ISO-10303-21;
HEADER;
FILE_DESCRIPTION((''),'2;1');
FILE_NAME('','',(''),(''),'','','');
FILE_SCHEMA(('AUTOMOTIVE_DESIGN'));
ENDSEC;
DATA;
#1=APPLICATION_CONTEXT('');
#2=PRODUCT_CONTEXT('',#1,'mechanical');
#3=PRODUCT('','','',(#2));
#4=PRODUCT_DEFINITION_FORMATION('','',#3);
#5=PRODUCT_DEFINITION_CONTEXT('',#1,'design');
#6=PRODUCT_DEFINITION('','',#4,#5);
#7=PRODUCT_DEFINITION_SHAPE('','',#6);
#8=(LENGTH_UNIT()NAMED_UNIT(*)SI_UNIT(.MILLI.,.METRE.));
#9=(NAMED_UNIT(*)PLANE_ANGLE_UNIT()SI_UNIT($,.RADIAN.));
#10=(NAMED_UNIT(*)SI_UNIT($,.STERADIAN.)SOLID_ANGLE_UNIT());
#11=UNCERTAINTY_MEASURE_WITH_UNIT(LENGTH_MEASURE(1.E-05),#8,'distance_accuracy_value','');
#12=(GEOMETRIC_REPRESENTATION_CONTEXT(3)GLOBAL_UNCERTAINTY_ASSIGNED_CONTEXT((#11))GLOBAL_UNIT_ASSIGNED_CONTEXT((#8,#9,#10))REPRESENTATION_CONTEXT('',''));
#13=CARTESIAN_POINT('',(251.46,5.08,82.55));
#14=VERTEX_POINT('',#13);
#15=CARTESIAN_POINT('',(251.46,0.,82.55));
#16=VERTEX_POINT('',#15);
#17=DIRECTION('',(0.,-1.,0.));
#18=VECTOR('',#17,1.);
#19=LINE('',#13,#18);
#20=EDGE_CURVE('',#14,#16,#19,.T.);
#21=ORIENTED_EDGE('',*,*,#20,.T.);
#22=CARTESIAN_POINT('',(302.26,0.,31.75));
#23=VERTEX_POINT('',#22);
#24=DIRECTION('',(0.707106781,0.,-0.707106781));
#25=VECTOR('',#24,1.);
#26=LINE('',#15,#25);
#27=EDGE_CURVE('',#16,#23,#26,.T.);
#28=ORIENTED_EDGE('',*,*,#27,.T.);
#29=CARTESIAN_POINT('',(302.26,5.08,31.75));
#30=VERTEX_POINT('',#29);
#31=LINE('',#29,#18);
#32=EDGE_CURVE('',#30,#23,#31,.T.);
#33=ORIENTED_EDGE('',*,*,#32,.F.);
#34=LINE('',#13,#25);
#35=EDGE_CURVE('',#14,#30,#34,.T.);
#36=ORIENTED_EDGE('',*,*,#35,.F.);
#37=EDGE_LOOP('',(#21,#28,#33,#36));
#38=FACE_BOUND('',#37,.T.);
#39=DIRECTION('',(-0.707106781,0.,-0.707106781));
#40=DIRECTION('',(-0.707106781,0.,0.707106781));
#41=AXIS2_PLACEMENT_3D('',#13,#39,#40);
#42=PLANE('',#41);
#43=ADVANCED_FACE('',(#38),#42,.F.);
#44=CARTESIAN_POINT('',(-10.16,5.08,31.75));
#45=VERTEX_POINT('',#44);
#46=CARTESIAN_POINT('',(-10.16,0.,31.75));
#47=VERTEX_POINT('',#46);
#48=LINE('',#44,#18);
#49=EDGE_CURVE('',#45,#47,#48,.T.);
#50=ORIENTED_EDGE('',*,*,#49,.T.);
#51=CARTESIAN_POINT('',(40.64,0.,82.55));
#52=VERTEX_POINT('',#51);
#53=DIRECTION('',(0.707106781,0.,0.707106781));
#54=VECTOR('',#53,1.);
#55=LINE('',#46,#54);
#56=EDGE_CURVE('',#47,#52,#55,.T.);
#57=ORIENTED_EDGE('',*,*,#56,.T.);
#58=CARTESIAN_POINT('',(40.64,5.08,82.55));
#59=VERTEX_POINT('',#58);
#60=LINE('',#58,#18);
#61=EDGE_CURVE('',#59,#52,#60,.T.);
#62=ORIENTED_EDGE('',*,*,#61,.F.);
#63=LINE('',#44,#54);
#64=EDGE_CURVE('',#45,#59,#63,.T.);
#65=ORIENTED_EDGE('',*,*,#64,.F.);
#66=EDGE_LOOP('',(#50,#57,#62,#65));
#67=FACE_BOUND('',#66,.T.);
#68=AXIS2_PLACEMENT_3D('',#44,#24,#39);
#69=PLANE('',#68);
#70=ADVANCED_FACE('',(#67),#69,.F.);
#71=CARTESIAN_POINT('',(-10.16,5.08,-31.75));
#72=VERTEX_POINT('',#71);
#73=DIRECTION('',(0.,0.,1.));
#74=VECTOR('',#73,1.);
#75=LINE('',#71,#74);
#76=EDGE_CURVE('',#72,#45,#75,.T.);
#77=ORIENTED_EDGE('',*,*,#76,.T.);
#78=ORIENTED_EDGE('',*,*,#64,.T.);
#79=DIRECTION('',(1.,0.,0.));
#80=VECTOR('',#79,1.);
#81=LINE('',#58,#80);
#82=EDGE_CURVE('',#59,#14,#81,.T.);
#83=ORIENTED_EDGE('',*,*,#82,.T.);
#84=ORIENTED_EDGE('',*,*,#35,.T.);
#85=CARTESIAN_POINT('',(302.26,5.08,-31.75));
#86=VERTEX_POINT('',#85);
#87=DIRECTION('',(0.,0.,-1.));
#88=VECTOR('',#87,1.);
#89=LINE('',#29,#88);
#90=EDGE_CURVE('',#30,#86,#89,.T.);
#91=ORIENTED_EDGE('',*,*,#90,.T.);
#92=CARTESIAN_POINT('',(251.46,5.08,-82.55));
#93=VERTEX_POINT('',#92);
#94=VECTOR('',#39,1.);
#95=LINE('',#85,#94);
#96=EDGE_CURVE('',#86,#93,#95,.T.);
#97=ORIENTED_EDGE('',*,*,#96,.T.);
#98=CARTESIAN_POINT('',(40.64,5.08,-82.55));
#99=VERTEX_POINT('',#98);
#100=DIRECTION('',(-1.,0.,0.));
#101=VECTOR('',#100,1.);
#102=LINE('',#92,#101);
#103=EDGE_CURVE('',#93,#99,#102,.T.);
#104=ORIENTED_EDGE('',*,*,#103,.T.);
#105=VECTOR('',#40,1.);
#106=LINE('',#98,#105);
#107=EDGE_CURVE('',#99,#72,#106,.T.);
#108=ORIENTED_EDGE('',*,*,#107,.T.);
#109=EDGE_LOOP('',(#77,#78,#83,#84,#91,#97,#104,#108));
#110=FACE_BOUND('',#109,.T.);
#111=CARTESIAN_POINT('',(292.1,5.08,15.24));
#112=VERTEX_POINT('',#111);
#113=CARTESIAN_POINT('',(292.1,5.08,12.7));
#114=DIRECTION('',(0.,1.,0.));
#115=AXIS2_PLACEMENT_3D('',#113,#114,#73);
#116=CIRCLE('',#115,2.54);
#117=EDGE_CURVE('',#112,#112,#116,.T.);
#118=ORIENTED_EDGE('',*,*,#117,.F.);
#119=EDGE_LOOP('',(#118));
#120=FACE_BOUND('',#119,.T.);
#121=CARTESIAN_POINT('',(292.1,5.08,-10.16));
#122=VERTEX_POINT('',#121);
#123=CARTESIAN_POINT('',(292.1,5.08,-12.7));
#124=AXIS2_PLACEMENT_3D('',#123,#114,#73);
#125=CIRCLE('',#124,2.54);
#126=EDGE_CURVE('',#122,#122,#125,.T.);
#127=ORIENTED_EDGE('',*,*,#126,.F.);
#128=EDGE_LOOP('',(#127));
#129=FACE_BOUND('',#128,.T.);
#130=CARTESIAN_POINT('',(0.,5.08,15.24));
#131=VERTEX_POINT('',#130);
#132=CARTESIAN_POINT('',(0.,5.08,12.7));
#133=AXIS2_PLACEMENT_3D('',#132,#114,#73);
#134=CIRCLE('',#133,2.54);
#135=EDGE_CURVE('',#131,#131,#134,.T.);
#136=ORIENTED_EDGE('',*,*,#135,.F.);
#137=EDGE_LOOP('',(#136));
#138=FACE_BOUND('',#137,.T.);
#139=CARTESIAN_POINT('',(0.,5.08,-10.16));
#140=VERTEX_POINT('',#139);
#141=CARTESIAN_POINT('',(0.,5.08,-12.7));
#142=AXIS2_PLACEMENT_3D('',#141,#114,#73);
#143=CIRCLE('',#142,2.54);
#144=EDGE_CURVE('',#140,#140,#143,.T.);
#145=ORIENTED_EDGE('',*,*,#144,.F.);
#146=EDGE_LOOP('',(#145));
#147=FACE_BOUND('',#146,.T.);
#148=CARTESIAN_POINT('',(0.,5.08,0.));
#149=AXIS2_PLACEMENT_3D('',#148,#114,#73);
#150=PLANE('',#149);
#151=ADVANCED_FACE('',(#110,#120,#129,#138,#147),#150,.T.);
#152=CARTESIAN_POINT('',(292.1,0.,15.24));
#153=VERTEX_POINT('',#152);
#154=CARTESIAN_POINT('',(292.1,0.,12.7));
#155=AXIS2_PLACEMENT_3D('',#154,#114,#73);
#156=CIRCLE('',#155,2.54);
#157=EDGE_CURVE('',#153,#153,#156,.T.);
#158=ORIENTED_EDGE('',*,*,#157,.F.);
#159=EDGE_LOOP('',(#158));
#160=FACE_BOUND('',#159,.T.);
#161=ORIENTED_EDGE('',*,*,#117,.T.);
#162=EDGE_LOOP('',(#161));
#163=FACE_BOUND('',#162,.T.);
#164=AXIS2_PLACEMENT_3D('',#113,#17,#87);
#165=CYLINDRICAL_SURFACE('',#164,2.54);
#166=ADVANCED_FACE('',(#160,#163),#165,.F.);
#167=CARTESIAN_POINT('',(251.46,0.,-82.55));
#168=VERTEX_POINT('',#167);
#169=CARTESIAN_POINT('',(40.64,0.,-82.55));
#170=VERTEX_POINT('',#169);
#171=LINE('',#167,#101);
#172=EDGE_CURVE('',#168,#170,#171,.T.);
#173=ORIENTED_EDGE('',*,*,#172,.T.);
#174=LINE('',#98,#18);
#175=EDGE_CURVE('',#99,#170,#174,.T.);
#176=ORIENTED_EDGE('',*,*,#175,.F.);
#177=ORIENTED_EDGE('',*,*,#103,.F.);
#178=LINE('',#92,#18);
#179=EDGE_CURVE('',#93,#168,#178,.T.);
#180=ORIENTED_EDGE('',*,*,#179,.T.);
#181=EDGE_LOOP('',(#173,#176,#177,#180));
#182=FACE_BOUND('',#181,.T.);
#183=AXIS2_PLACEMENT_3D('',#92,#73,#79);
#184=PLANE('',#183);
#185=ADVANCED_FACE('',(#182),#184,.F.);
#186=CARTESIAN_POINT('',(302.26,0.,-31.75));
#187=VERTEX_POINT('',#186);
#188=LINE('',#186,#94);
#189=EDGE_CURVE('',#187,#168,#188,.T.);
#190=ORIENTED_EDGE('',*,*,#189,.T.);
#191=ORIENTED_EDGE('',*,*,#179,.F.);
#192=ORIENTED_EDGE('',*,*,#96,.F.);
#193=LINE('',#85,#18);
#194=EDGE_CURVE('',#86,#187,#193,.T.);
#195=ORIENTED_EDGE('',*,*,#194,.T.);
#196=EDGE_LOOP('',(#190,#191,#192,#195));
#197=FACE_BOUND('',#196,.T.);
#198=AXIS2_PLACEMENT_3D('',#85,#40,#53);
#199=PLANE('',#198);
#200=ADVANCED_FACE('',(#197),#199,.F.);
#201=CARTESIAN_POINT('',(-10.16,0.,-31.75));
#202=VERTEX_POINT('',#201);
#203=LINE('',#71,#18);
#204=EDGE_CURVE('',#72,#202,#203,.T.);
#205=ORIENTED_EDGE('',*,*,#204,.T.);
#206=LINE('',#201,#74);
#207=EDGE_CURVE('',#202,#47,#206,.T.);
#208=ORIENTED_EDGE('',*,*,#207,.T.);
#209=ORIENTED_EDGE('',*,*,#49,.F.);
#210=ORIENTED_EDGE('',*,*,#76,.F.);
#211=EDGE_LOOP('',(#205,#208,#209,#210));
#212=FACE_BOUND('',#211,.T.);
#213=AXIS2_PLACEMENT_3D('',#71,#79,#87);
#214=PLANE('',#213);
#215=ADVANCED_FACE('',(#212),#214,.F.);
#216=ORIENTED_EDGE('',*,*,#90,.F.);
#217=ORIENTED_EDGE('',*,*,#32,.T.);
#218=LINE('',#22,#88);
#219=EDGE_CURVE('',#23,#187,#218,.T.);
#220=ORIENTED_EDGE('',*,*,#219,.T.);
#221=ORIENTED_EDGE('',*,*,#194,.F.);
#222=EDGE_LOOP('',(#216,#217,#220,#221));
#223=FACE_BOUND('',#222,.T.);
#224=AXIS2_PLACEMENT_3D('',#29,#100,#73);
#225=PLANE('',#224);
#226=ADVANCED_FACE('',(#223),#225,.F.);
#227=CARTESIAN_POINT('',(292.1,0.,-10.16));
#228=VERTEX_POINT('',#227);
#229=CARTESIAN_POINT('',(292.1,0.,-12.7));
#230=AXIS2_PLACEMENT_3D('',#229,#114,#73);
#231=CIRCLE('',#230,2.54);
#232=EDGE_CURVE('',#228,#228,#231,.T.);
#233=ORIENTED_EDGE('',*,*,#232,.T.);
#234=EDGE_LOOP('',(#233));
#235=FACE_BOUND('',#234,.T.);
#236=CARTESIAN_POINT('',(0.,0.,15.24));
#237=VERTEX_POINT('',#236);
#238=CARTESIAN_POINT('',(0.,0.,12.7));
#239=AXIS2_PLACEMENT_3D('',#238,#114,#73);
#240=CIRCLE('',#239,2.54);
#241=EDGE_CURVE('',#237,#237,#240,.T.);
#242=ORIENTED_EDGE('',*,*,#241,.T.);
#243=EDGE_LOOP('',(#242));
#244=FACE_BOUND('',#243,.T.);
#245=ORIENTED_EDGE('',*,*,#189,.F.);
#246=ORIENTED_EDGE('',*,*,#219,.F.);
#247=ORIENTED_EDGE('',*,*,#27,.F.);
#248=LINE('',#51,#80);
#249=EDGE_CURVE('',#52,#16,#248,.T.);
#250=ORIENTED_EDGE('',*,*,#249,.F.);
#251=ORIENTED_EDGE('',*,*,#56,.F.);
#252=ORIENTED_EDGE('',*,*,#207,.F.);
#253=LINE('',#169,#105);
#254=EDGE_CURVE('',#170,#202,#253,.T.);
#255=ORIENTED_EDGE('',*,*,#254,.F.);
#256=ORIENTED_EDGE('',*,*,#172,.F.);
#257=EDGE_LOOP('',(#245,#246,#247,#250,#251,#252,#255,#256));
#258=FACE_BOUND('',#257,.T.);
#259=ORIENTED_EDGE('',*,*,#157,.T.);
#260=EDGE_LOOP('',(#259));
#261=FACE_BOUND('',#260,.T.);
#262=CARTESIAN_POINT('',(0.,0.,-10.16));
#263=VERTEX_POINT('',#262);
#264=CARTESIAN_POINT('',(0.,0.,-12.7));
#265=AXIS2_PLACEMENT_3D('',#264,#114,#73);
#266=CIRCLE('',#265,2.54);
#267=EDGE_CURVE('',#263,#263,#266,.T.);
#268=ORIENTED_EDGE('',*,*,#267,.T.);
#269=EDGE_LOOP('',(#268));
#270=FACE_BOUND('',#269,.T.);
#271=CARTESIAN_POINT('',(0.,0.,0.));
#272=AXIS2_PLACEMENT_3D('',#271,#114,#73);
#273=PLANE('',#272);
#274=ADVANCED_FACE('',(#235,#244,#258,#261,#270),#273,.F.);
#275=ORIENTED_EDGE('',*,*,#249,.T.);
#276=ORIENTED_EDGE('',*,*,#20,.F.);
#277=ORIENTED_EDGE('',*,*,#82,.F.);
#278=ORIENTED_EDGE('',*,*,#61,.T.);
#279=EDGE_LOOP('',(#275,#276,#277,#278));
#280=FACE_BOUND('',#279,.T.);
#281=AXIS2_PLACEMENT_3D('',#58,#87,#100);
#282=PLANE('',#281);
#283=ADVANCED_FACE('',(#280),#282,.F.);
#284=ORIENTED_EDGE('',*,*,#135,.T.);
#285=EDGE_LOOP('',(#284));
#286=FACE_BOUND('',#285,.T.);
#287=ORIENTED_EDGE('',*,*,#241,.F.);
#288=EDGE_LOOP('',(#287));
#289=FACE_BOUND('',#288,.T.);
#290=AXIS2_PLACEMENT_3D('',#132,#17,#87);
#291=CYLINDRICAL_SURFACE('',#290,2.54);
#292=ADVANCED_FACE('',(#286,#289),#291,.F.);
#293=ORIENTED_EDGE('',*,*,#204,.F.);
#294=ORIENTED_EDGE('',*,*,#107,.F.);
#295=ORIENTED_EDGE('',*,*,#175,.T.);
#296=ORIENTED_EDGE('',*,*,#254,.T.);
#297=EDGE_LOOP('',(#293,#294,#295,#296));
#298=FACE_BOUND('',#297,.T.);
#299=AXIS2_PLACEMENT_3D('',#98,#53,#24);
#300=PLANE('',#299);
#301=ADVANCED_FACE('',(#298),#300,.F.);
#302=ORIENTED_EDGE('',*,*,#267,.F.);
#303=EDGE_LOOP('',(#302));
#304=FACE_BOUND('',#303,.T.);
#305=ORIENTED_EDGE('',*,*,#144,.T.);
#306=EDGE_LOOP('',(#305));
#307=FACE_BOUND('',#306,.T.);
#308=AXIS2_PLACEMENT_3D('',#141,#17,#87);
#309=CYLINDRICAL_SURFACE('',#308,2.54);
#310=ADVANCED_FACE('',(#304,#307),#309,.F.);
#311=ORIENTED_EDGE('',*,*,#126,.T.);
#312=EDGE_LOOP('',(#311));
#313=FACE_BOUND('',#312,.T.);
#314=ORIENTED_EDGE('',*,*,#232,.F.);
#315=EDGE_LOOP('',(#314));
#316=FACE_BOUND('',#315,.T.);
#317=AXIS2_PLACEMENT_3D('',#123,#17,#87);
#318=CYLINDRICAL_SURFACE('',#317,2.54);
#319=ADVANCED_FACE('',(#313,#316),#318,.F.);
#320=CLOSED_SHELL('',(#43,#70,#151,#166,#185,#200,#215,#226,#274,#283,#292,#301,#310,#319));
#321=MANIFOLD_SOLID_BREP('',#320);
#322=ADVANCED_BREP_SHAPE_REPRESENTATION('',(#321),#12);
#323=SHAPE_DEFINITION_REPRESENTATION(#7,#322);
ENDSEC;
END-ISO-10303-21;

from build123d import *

# Parameters (mm, degrees)
SKETCH1_R           = 2.54
BOSS_EXTRUDE1_DEPTH = 5.08


with BuildPart() as part:
    # Sketch1 → Boss-Extrude1 (new body)
    with BuildSketch(Plane(origin=(0, 0, 0), x_dir=(1, 0, 0), z_dir=(0, 1, 0))):
        Polygon((-10.16, 31.75), (-10.16, -31.75), (40.64, -82.55), (251.46, -82.55), (302.26, -31.75), (302.26, 31.75), (251.46, 82.55), (40.64, 82.55), align=None)
        with Locations((0, -12.7)):
            Circle(SKETCH1_R, mode=Mode.SUBTRACT)
        with Locations((292.1, -12.7)):
            Circle(SKETCH1_R, mode=Mode.SUBTRACT)
        with Locations((0, 12.7)):
            Circle(SKETCH1_R, mode=Mode.SUBTRACT)
        with Locations((292.1, 12.7)):
            Circle(SKETCH1_R, mode=Mode.SUBTRACT)
    extrude(amount=BOSS_EXTRUDE1_DEPTH)


solid = part.part
